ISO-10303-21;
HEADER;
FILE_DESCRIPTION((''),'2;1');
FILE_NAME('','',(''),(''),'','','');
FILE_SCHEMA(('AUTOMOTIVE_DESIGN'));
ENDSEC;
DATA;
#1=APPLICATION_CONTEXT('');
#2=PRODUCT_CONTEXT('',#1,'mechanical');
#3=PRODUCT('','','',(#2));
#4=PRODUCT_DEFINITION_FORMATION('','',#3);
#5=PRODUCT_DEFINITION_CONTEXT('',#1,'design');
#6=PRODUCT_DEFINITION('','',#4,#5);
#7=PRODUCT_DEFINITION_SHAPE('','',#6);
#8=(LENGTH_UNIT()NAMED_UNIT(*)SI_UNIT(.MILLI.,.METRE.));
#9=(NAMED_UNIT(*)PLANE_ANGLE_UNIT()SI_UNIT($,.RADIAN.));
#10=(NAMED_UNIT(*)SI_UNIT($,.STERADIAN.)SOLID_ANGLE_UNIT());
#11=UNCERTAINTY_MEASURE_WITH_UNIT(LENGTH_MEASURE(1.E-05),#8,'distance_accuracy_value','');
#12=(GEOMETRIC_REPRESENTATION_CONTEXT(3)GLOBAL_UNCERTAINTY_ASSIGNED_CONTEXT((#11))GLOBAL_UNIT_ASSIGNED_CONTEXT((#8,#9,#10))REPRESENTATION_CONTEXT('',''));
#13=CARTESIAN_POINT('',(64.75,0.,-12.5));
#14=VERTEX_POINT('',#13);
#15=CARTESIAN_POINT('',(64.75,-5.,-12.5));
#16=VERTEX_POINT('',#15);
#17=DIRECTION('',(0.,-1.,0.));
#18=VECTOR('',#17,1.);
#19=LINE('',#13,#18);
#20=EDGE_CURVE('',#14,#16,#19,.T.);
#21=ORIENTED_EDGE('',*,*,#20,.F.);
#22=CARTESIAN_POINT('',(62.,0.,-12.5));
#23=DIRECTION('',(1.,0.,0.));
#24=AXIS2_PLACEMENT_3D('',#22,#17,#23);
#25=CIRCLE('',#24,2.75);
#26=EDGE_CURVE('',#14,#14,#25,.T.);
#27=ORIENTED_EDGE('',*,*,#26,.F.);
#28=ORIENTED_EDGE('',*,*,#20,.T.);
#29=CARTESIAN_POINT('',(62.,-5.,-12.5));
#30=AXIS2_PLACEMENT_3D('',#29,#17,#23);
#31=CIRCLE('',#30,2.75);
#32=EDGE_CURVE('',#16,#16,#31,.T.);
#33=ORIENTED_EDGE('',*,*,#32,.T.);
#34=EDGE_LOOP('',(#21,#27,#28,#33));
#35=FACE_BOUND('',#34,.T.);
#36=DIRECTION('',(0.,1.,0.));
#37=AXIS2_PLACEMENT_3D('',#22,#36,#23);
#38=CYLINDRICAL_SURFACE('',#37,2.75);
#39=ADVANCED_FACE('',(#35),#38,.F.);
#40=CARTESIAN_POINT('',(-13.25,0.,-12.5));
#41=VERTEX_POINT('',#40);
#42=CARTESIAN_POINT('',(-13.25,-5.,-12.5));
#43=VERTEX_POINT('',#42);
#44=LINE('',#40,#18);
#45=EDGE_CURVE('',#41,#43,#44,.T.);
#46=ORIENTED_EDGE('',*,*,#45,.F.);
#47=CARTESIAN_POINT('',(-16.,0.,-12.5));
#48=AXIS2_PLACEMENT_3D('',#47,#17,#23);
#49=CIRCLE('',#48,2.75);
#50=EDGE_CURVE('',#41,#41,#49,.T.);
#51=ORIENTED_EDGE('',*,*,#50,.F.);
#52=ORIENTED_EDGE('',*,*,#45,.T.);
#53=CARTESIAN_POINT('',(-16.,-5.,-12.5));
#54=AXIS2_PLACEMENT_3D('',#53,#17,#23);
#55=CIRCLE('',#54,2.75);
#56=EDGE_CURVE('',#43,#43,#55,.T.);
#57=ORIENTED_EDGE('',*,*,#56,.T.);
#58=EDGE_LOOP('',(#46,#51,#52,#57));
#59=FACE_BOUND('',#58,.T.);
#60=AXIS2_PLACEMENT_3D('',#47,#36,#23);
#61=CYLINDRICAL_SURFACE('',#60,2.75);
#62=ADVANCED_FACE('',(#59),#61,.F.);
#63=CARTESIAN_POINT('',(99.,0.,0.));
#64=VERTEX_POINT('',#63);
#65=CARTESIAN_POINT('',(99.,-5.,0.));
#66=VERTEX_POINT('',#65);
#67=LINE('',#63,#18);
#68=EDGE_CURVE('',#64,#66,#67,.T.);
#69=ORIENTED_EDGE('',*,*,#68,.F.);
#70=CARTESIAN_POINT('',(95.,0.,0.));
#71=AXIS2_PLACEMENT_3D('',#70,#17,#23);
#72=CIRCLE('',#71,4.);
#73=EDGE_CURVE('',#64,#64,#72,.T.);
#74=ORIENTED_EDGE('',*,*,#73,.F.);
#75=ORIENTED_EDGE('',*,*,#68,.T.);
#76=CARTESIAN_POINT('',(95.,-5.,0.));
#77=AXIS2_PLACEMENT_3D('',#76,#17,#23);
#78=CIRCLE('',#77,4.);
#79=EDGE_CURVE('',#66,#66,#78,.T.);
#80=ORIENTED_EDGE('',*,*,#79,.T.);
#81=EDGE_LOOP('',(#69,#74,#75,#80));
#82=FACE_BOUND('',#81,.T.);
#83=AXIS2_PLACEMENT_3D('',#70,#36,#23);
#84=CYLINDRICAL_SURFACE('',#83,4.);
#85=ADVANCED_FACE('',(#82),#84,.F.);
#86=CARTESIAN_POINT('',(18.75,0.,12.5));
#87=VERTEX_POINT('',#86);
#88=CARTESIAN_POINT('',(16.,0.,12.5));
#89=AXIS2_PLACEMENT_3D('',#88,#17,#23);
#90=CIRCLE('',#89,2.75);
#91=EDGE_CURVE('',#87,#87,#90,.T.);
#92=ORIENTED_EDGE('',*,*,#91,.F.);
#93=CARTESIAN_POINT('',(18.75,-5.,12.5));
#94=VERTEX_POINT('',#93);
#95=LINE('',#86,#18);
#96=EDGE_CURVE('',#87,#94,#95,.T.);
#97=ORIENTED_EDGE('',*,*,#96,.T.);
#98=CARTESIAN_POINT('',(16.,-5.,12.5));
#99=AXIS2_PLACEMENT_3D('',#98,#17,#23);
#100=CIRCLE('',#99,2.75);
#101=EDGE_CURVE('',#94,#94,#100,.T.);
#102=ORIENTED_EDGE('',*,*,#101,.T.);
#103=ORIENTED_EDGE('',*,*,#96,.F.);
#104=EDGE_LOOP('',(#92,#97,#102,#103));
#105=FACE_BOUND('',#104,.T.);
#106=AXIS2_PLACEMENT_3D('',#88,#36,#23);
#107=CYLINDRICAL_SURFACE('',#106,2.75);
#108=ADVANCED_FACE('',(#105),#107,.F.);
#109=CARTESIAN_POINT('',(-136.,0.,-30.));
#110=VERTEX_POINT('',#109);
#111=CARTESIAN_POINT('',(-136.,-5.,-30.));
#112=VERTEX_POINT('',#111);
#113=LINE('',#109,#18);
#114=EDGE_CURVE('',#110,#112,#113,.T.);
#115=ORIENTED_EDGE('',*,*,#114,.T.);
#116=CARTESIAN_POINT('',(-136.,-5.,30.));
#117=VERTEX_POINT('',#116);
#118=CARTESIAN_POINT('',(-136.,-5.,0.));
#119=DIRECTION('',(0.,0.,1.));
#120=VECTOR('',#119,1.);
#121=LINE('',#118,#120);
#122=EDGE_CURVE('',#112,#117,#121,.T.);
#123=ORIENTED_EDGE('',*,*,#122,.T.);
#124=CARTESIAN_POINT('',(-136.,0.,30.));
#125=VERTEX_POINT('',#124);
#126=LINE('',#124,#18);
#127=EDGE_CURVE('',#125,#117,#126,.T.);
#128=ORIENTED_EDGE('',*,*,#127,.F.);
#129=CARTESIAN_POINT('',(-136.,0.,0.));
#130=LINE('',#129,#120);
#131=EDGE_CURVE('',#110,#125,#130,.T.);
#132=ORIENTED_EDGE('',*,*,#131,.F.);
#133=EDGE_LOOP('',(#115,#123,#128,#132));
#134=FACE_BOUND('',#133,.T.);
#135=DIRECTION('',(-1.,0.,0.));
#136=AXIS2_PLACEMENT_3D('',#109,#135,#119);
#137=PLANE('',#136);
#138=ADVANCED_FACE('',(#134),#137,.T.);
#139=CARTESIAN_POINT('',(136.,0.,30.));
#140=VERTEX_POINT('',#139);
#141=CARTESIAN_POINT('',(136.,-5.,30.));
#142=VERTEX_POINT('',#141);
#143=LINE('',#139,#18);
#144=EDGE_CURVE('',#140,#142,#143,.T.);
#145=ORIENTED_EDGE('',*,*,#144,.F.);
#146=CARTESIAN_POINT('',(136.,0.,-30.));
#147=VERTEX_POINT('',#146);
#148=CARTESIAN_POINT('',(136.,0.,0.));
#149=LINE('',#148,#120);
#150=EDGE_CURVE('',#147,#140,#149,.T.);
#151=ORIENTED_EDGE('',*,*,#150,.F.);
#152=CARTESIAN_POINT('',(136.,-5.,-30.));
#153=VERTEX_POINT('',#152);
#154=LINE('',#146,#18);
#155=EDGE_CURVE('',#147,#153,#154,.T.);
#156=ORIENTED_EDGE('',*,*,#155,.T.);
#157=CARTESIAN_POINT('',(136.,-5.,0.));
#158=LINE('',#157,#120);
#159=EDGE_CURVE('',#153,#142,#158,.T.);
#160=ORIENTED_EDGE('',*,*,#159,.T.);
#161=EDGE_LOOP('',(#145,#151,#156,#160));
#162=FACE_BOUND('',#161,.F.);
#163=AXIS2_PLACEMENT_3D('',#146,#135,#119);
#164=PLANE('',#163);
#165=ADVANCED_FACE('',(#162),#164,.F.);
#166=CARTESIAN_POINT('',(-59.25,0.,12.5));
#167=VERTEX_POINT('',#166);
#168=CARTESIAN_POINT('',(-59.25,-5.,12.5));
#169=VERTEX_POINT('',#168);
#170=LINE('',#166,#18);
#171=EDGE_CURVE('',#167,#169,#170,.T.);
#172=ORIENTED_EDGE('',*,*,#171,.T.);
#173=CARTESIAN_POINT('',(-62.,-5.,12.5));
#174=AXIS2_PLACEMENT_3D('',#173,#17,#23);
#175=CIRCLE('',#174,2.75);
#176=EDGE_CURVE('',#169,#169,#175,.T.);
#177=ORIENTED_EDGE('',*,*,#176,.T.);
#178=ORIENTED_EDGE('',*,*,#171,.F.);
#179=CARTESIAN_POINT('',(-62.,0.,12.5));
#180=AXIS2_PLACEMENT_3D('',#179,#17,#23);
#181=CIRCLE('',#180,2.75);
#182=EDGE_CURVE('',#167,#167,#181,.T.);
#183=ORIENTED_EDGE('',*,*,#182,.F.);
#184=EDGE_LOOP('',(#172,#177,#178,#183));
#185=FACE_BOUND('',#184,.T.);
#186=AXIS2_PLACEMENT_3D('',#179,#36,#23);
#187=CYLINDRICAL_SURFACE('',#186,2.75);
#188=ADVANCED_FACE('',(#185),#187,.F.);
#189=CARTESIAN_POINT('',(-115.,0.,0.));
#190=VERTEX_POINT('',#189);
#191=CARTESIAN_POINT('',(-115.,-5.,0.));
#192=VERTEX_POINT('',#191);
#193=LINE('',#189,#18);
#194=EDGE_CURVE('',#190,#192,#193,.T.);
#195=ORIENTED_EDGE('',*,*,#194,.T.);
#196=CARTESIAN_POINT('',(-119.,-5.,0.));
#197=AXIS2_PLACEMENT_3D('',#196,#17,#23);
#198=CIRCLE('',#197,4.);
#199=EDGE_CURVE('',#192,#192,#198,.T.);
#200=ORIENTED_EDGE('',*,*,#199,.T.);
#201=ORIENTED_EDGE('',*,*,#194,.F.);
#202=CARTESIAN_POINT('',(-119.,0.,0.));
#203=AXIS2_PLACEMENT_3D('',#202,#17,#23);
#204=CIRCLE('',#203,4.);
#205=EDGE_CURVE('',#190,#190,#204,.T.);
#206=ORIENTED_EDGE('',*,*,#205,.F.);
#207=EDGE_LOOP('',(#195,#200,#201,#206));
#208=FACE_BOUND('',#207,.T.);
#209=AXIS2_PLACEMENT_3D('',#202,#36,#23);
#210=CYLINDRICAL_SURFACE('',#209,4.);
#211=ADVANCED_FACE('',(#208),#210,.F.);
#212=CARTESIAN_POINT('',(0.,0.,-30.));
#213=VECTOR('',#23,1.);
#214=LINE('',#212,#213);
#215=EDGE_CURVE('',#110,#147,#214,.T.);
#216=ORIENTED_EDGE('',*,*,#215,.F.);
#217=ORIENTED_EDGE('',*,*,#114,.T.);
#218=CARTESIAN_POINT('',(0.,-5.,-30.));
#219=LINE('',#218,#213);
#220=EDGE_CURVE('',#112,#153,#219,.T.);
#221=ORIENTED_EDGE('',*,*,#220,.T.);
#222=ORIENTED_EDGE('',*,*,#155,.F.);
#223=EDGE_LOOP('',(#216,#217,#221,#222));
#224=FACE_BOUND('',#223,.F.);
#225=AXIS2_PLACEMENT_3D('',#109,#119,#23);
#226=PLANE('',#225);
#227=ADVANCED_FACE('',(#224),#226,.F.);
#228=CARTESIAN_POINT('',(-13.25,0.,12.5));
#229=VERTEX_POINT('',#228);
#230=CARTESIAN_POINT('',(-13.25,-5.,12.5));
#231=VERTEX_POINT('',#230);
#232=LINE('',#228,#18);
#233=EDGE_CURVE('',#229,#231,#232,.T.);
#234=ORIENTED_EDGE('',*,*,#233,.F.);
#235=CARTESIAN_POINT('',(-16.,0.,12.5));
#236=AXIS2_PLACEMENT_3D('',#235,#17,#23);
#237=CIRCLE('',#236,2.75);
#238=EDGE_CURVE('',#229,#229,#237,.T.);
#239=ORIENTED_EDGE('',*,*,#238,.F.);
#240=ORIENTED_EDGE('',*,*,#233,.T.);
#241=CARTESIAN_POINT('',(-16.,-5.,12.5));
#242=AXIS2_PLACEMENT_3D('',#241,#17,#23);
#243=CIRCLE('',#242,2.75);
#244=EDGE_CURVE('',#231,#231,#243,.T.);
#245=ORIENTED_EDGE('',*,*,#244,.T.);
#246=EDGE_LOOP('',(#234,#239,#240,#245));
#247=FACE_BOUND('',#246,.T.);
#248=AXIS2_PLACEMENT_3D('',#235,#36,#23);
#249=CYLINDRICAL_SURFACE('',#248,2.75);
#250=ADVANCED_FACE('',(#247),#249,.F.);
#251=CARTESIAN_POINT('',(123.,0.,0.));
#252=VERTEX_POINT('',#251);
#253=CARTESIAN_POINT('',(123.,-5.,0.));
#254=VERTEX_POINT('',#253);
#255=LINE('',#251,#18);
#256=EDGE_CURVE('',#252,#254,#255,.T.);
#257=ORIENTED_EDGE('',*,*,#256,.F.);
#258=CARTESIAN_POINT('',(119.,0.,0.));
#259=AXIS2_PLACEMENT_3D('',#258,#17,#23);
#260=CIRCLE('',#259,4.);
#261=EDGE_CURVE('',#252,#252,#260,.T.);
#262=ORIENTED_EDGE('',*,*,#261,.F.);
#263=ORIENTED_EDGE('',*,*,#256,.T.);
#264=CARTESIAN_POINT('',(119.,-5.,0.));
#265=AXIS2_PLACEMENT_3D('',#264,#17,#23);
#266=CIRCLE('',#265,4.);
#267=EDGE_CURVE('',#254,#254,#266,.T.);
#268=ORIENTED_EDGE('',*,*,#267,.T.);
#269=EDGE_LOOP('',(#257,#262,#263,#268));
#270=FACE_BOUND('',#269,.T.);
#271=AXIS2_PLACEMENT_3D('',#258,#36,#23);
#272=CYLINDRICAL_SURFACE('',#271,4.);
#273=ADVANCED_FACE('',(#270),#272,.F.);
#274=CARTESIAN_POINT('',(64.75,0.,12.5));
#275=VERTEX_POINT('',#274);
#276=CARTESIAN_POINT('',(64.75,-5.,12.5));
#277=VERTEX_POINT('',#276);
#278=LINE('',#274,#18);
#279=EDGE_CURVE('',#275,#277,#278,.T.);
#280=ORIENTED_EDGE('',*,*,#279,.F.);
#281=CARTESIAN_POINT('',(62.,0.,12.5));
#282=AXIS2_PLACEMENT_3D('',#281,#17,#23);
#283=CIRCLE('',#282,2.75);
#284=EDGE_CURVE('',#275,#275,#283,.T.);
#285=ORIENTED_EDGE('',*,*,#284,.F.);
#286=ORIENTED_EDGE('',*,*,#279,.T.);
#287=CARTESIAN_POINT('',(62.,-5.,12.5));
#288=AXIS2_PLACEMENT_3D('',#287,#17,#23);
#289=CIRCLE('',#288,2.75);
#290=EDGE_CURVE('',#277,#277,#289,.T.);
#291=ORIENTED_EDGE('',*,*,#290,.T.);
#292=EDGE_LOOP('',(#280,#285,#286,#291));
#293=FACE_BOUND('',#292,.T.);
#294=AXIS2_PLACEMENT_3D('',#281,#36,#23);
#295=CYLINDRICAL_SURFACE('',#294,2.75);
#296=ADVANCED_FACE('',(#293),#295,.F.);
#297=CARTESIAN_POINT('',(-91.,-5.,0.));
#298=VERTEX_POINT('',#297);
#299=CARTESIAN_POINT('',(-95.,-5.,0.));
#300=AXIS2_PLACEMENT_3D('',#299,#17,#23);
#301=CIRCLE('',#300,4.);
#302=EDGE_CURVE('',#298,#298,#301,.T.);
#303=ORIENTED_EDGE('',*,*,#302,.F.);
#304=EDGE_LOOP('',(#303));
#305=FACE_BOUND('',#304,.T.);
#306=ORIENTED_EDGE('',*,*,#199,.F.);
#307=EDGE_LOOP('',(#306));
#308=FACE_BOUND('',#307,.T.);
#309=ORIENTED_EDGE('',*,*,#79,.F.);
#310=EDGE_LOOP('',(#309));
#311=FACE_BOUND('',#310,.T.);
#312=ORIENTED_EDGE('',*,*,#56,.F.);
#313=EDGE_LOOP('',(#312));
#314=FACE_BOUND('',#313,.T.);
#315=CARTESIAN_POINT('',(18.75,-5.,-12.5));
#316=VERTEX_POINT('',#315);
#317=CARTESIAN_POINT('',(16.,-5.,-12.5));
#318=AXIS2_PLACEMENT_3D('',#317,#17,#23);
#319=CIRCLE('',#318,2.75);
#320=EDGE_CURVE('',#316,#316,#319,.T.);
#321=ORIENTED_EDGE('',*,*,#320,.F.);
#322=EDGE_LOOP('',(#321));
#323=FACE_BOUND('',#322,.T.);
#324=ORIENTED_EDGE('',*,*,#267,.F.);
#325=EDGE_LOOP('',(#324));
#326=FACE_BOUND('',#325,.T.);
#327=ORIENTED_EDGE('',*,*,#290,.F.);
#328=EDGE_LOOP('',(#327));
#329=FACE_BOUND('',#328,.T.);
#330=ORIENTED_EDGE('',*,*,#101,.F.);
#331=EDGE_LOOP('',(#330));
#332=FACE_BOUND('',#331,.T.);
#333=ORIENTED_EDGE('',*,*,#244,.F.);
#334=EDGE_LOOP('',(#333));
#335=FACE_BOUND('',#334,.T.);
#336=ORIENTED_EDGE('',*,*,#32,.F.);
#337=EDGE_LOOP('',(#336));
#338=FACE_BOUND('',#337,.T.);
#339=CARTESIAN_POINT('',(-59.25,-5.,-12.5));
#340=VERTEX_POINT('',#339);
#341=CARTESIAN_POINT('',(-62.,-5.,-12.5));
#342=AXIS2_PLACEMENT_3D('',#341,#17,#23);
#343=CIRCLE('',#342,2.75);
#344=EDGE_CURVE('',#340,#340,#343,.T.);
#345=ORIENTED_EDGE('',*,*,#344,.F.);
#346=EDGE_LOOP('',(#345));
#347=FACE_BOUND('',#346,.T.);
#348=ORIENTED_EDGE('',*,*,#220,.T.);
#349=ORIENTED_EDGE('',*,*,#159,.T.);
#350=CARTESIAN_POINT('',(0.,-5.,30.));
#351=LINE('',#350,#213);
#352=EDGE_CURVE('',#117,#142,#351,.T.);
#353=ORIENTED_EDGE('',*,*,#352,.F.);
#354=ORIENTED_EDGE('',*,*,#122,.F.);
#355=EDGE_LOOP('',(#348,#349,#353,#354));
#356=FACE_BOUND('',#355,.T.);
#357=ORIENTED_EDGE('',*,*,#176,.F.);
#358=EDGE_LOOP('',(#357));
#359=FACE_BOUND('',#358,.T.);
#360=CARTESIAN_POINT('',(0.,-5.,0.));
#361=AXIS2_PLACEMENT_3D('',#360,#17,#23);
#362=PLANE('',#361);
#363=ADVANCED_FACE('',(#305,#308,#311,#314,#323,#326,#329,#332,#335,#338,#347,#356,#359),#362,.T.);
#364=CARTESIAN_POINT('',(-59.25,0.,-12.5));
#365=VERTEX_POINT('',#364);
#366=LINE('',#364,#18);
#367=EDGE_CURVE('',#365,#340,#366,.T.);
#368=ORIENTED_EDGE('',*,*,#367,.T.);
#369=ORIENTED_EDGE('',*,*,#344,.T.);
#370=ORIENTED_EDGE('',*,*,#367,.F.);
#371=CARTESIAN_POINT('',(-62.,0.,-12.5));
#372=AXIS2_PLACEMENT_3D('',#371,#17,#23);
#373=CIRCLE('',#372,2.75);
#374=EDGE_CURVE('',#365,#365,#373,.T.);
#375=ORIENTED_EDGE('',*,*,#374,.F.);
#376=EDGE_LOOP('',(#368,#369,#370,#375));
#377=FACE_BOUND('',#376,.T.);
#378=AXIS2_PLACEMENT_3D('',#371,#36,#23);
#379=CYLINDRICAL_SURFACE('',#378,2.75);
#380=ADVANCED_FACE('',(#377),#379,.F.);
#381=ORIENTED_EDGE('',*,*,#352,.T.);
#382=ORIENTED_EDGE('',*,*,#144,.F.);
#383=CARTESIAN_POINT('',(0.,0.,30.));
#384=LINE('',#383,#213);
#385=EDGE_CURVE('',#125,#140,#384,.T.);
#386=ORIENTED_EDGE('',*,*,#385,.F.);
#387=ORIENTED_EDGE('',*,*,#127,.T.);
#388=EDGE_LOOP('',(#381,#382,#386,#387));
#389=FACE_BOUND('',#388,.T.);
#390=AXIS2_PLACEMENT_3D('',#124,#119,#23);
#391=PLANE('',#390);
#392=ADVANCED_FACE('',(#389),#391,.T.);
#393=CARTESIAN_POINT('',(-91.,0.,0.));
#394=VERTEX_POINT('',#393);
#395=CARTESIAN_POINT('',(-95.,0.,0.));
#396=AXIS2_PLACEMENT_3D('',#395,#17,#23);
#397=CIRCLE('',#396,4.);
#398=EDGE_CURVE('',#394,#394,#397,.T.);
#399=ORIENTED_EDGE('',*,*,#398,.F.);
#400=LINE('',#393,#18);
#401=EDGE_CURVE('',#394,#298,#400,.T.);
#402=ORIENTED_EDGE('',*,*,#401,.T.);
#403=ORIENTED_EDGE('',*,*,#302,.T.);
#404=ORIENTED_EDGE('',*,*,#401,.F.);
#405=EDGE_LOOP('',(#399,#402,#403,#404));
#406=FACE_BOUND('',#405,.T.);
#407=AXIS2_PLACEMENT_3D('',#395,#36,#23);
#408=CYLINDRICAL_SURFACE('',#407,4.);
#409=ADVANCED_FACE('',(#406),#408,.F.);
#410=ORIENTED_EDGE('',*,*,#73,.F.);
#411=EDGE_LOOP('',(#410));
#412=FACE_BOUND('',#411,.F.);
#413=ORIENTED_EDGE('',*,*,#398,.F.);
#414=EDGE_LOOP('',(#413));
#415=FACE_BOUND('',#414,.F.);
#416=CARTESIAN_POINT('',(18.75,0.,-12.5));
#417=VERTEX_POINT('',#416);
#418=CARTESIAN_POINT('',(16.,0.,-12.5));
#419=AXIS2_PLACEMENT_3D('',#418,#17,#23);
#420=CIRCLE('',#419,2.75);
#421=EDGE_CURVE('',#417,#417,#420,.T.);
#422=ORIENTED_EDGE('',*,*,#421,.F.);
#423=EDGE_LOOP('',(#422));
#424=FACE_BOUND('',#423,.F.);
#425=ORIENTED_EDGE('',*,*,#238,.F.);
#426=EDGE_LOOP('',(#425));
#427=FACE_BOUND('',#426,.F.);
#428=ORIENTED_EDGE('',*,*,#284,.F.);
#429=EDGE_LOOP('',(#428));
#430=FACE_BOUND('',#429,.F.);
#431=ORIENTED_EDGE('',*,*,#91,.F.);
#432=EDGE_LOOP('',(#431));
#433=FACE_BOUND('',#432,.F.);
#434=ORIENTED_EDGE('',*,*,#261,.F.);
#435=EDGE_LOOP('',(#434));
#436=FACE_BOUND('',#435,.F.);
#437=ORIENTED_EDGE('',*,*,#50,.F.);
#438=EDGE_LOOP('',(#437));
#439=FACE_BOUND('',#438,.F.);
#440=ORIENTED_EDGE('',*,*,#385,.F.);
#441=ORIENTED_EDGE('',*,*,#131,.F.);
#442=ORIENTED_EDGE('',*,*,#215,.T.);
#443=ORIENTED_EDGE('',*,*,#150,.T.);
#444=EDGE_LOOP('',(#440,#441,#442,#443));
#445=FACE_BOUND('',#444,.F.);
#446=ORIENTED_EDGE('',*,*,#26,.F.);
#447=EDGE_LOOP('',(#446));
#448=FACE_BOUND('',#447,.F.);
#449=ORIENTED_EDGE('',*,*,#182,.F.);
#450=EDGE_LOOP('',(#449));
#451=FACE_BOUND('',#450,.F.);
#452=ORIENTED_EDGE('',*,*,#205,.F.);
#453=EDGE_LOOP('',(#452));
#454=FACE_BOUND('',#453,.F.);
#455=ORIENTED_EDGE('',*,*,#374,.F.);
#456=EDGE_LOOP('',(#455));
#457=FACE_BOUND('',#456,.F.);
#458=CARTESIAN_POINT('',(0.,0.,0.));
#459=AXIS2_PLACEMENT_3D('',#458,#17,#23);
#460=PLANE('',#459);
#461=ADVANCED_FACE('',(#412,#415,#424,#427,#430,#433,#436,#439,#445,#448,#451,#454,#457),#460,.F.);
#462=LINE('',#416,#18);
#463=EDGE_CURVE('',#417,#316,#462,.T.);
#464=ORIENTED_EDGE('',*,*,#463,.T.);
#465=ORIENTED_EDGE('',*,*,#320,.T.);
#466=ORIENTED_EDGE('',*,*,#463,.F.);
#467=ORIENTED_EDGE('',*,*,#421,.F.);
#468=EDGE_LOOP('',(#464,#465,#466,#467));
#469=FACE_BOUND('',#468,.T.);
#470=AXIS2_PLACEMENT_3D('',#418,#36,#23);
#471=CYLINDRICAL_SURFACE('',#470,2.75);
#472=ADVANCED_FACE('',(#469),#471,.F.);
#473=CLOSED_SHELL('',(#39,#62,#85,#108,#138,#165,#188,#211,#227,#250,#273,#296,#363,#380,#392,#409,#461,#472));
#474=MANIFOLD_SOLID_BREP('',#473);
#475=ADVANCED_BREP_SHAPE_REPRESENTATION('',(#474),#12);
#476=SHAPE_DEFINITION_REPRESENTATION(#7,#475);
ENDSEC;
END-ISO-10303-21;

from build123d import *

# Parameters (mm, degrees)
F0_W     = 272
F0_H     = 60
F0_R     = 2.75
F0_R_2   = 4
F1_DEPTH = 5


with BuildPart() as f1:
    # F0 (on Front) → F1 (new body)
    with BuildSketch(Plane.XZ):
        Rectangle(F0_W, F0_H)
        with Locations((-62, -12.5)):
            Circle(F0_R, mode=Mode.SUBTRACT)
        with Locations((-16, -12.5)):
            Circle(F0_R, mode=Mode.SUBTRACT)
        with Locations((16, -12.5)):
            Circle(F0_R, mode=Mode.SUBTRACT)
        with Locations((62, -12.5)):
            Circle(F0_R, mode=Mode.SUBTRACT)
        with Locations((-119, 0)):
            Circle(F0_R_2, mode=Mode.SUBTRACT)
        with Locations((-95, 0)):
            Circle(F0_R_2, mode=Mode.SUBTRACT)
        with Locations((-62, 12.5)):
            Circle(F0_R, mode=Mode.SUBTRACT)
        with Locations((-16, 12.5)):
            Circle(F0_R, mode=Mode.SUBTRACT)
        with Locations((16, 12.5)):
            Circle(F0_R, mode=Mode.SUBTRACT)
        with Locations((62, 12.5)):
            Circle(F0_R, mode=Mode.SUBTRACT)
        with Locations((95, 0)):
            Circle(F0_R_2, mode=Mode.SUBTRACT)
        with Locations((119, 0)):
            Circle(F0_R_2, mode=Mode.SUBTRACT)
    extrude(amount=F1_DEPTH)


solid = f1.part
